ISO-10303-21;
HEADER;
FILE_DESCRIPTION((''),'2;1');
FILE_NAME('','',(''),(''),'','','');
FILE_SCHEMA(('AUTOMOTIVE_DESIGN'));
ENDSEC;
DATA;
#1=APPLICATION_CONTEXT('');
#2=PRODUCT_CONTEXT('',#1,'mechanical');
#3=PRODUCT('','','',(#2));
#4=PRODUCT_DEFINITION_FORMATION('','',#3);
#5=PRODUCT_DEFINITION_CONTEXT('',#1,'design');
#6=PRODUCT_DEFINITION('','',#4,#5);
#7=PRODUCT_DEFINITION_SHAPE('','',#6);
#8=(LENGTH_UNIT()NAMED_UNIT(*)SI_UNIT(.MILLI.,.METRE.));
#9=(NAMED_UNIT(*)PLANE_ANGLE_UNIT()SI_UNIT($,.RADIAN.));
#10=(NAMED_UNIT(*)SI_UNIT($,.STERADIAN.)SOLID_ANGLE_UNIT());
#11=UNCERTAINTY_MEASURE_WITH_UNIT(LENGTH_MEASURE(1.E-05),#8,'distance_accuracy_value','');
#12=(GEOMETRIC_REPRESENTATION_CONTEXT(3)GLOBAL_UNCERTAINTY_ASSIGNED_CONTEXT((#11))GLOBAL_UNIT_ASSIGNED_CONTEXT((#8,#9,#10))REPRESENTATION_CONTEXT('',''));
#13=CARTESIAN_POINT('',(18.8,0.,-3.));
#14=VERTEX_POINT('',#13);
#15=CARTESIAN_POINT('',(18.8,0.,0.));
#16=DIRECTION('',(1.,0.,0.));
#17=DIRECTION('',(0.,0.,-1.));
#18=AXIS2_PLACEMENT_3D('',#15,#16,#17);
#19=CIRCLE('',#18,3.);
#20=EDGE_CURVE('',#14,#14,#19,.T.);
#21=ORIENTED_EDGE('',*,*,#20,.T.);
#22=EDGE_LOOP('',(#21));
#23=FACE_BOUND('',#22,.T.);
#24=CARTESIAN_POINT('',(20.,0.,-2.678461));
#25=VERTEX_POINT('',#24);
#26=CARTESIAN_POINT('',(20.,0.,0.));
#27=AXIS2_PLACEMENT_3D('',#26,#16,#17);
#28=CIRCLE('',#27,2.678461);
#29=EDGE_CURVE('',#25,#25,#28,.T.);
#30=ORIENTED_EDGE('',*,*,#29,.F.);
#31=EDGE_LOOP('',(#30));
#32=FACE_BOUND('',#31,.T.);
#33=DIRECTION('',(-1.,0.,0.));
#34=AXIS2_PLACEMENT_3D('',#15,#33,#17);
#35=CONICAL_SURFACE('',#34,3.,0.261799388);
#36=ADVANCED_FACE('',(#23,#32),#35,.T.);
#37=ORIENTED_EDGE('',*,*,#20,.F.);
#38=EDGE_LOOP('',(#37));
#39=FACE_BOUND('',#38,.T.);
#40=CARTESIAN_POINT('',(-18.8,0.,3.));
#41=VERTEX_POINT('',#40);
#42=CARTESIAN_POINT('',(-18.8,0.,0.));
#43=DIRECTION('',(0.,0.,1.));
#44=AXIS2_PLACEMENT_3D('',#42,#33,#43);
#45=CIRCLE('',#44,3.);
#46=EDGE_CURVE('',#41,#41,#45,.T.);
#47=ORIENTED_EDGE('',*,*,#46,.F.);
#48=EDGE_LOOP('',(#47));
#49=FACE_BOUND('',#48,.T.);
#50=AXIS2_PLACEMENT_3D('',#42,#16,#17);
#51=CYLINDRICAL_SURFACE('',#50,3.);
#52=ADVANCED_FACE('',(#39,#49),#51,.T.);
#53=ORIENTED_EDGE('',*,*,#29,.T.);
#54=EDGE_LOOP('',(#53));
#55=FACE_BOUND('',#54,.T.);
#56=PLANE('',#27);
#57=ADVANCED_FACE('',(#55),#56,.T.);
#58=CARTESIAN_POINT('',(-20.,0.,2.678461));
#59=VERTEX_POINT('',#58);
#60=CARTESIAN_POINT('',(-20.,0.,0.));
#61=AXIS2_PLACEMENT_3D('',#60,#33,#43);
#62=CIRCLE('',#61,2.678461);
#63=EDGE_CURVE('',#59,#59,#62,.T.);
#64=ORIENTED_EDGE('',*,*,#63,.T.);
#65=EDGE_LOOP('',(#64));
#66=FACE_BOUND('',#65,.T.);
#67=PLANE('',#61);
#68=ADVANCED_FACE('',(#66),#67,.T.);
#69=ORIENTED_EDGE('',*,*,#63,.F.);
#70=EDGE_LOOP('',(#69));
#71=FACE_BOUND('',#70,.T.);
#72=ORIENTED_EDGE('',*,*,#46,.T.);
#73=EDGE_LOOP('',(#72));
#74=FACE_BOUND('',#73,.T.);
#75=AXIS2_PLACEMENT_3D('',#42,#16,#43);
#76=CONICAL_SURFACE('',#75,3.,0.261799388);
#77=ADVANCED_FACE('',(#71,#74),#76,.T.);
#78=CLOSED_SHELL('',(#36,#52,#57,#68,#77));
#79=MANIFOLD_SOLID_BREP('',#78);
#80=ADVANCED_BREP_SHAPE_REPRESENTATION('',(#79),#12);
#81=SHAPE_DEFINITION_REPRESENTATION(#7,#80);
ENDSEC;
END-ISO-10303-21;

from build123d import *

# Parameters (mm, degrees)
SKETCH2_R           = 3
EXTRUDE1_DEPTH      = 18.8
EXTRUDE1_DEPTH_BACK = 18.8
SKETCH3_R           = 3
EXTRUDE2_DEPTH      = 1.2
EXTRUDE2_TAPER      = 15
SKETCH4_R           = 3
EXTRUDE3_DEPTH      = 1.2
EXTRUDE3_TAPER      = 15


with BuildPart() as part:
    # Sketch2 → Extrude1 (new body, two sides)
    with BuildSketch(Plane(origin=(0, 0, 0), x_dir=(0, 0, -1), z_dir=(1, 0, 0))) as extrude1_sk:
        Circle(SKETCH2_R)
    extrude(amount=EXTRUDE1_DEPTH)
    extrude(extrude1_sk.sketch, amount=-EXTRUDE1_DEPTH_BACK)

    # Sketch3 → Extrude2 (add)
    with BuildSketch(Plane(origin=(18.8, 0, 0), x_dir=(0, 0, -1), z_dir=(1, 0, 0))):
        Circle(SKETCH3_R)
    extrude(amount=EXTRUDE2_DEPTH, taper=EXTRUDE2_TAPER)

    # Sketch4 → Extrude3 (add)
    with BuildSketch(Plane.ZY.offset(18.8)):
        Circle(SKETCH4_R)
    extrude(amount=EXTRUDE3_DEPTH, taper=EXTRUDE3_TAPER)


solid = part.part
